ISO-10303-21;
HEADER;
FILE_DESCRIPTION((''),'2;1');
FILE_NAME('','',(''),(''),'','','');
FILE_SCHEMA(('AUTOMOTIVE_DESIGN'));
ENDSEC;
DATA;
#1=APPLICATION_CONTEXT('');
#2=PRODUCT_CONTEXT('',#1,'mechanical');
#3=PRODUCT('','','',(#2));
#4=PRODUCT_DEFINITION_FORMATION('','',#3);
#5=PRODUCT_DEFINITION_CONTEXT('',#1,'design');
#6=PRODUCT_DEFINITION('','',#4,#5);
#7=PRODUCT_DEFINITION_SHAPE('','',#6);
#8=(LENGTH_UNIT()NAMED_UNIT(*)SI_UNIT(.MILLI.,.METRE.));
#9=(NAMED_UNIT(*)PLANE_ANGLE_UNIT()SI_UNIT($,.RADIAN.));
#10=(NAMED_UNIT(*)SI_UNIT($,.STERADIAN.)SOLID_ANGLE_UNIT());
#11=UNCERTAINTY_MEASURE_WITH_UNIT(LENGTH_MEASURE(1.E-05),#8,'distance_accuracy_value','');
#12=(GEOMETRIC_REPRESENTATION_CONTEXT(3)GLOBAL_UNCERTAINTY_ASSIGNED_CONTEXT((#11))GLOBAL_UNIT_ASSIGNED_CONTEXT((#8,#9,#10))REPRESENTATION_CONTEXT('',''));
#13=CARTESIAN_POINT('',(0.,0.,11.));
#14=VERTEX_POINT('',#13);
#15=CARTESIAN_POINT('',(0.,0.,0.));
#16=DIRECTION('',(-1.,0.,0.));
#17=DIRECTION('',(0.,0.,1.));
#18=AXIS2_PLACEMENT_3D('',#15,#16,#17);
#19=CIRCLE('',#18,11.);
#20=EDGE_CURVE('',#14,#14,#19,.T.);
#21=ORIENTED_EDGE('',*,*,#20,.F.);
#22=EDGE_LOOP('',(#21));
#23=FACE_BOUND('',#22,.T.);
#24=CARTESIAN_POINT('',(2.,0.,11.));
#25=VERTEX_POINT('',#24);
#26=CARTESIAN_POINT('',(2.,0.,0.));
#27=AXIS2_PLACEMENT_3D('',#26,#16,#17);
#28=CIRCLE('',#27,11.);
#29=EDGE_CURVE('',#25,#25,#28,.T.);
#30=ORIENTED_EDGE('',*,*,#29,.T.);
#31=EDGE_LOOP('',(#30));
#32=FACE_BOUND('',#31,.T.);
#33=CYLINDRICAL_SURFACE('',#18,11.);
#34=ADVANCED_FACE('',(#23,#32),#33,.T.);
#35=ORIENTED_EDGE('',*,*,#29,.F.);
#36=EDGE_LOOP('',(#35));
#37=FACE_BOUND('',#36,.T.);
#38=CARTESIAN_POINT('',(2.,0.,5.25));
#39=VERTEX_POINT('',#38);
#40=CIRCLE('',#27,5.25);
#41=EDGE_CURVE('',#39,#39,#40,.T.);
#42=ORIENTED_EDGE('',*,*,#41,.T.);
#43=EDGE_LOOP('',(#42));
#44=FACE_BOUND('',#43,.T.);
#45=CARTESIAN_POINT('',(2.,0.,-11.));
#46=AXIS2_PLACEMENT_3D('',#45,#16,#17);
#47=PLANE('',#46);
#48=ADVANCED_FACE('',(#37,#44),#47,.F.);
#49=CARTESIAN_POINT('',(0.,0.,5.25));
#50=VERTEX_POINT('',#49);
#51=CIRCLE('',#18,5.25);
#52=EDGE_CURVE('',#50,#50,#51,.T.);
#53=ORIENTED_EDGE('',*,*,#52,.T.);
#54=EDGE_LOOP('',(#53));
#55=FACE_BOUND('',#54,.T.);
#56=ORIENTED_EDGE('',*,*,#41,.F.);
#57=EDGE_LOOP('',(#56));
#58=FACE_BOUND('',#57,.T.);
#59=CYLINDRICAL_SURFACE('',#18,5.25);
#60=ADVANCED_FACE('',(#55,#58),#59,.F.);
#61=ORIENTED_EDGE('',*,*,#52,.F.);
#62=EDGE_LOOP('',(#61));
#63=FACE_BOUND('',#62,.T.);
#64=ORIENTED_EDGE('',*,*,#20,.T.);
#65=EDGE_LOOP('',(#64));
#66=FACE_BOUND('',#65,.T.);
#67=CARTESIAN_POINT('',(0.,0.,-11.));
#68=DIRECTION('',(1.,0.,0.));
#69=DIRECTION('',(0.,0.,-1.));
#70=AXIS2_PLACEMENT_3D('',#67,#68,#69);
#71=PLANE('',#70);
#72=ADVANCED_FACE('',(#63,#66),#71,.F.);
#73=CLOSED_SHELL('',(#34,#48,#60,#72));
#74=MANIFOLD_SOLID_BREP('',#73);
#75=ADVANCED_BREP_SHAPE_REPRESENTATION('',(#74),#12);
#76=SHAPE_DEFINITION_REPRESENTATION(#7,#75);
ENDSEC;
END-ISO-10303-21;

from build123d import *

# Parameters (mm, degrees)
ESQUISSE1_W = 2
ESQUISSE1_H = 5.75


with BuildPart() as part:
    # Esquisse1 → Base-Révolution (revolve)
    with BuildSketch(Plane(origin=(0, 0, 0), x_dir=(1, 0, 0), z_dir=(0, 1, 0))):
        with Locations((1, 8.125)):
            Rectangle(ESQUISSE1_W, ESQUISSE1_H)
    revolve(axis=Axis((0, 0, 0), (1, 0, 0)))


solid = part.part
